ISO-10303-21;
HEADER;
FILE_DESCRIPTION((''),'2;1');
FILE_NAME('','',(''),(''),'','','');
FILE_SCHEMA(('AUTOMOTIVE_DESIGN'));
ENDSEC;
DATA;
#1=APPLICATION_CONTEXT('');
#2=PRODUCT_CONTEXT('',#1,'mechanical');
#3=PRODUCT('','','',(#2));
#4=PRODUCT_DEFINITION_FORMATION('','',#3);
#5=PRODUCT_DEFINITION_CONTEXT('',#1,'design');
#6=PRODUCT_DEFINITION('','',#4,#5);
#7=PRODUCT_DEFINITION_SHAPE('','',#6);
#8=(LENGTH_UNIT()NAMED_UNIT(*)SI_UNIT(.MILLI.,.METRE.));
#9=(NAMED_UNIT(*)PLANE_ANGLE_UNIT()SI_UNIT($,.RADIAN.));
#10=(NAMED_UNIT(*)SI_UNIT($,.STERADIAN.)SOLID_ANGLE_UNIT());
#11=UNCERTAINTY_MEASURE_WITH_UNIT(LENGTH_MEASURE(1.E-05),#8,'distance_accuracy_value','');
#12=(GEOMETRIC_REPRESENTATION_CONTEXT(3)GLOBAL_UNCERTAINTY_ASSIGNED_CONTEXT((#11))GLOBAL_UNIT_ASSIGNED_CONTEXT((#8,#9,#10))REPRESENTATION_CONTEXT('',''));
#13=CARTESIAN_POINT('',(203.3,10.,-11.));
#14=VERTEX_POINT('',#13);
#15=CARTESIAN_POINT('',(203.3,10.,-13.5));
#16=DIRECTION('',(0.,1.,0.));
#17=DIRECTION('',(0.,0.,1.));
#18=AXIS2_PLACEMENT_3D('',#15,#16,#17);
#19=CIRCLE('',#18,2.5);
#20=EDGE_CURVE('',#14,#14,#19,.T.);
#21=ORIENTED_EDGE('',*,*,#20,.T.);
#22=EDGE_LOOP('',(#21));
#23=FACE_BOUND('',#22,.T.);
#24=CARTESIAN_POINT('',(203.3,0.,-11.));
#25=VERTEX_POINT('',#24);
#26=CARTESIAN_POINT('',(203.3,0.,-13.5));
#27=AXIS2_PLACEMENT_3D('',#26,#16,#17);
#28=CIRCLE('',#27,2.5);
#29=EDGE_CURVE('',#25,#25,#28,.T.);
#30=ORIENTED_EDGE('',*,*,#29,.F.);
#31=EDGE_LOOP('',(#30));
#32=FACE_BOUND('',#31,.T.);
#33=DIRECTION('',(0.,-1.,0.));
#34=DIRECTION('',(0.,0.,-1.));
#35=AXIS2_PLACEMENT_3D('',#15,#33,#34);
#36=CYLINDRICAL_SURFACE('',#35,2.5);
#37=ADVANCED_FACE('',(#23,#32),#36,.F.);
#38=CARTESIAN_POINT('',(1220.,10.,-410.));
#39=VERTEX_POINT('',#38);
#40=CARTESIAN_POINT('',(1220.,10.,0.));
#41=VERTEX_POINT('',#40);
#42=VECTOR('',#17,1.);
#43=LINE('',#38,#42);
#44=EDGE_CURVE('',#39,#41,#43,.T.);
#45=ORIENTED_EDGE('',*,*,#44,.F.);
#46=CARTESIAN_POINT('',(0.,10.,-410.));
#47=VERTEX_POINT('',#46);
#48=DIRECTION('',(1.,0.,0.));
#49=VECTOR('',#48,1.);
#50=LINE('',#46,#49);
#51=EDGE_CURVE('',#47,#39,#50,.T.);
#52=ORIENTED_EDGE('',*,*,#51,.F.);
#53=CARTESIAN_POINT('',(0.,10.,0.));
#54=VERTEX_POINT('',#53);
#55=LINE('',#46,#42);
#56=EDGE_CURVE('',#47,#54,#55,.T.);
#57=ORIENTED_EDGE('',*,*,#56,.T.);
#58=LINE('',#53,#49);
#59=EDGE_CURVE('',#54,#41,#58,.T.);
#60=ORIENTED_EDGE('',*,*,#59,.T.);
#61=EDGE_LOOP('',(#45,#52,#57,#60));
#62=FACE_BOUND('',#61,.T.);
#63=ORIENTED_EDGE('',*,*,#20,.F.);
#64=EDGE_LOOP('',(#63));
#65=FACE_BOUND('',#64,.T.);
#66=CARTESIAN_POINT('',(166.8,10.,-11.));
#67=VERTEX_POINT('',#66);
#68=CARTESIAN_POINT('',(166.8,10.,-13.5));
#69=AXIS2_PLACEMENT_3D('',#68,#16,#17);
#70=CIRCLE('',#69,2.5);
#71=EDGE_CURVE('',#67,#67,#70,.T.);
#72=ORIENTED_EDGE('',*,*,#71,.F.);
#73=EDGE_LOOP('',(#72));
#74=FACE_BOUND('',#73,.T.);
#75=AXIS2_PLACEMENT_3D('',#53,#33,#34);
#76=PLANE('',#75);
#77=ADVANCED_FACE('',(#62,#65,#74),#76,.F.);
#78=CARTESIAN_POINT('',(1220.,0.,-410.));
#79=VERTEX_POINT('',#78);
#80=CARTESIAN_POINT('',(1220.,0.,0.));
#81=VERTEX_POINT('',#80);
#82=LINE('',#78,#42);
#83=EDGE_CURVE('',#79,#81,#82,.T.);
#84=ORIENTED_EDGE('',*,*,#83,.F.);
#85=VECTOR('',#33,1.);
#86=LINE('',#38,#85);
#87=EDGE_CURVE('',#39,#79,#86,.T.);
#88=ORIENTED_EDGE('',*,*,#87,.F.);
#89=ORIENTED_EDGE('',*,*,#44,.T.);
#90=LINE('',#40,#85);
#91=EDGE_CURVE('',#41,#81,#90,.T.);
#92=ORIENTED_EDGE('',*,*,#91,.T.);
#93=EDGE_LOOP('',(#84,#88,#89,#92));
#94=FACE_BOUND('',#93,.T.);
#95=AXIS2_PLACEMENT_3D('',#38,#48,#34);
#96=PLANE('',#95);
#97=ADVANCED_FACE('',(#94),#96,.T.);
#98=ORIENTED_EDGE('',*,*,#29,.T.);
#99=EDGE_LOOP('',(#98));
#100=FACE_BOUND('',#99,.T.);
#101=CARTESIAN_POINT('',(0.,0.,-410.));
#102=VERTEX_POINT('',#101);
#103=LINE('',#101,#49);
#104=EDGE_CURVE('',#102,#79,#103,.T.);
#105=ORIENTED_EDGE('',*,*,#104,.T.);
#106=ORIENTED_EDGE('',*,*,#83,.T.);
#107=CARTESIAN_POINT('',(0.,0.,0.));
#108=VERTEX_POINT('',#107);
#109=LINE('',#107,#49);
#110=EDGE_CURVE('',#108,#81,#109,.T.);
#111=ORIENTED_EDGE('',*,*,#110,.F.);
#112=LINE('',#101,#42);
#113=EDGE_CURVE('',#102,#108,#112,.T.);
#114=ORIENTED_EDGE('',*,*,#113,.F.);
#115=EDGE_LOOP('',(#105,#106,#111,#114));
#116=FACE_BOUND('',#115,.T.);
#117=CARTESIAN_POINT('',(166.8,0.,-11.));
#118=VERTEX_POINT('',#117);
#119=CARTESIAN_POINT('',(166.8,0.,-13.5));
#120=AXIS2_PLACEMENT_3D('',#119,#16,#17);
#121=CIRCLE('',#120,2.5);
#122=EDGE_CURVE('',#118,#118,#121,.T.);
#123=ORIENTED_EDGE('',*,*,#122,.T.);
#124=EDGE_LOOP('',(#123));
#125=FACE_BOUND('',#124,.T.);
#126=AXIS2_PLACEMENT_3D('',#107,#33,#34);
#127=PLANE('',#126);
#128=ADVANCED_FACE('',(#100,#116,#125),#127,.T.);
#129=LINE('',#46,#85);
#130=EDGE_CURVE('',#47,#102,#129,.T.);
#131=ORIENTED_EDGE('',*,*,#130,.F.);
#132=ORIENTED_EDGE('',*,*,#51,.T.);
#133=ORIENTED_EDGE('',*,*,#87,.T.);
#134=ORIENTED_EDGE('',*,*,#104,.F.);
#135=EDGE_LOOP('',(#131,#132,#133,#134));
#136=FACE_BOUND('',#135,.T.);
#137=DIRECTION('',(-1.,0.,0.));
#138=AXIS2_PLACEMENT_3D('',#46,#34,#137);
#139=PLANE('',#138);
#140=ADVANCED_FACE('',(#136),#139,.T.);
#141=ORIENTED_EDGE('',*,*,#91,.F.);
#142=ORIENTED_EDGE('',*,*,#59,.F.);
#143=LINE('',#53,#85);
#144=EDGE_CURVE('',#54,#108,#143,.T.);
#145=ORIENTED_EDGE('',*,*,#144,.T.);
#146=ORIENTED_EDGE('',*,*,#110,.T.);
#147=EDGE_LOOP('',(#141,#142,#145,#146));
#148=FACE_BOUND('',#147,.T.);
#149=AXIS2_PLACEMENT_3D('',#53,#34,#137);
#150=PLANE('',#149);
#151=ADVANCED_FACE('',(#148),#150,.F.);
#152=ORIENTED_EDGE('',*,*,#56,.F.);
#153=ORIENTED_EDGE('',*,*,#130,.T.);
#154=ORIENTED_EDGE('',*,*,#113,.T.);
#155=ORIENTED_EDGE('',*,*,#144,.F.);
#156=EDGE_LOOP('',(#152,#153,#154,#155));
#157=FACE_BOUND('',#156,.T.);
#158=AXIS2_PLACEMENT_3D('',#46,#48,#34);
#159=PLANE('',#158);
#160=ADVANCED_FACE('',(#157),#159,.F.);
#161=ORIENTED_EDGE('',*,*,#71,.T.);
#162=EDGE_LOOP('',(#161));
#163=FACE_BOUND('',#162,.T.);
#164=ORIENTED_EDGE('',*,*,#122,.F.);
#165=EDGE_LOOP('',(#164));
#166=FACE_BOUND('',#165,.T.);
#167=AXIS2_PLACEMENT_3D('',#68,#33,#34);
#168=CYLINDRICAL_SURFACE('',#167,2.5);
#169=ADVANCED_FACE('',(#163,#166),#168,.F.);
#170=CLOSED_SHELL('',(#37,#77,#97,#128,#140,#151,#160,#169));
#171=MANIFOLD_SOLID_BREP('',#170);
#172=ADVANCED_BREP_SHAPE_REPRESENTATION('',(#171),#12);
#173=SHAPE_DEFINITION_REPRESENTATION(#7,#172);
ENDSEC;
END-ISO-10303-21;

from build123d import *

# Parameters (mm, degrees)
SKETCH1_W           = 1220
SKETCH1_H           = 410
BOSS_EXTRUDE1_DEPTH = 10
SKETCH2_R           = 2.5
CUT_EXTRUDE1_DEPTH  = 10


with BuildPart() as part:
    # Sketch1 → Boss-Extrude1 (new body)
    with BuildSketch(Plane(origin=(0, 0, 0), x_dir=(1, 0, 0), z_dir=(0, 1, 0))):
        with Locations((610, 205)):
            Rectangle(SKETCH1_W, SKETCH1_H)
    extrude(amount=BOSS_EXTRUDE1_DEPTH)

    # Sketch2 → Cut-Extrude1 (cut)
    with BuildSketch(Plane(origin=(0, 0, 0), x_dir=(1, 0, 0), z_dir=(0, 1, 0))):
        with Locations((166.8, 13.5)):
            Circle(SKETCH2_R)
        with Locations((203.3, 13.5)):
            Circle(SKETCH2_R)
    extrude(amount=CUT_EXTRUDE1_DEPTH, mode=Mode.SUBTRACT)


solid = part.part
